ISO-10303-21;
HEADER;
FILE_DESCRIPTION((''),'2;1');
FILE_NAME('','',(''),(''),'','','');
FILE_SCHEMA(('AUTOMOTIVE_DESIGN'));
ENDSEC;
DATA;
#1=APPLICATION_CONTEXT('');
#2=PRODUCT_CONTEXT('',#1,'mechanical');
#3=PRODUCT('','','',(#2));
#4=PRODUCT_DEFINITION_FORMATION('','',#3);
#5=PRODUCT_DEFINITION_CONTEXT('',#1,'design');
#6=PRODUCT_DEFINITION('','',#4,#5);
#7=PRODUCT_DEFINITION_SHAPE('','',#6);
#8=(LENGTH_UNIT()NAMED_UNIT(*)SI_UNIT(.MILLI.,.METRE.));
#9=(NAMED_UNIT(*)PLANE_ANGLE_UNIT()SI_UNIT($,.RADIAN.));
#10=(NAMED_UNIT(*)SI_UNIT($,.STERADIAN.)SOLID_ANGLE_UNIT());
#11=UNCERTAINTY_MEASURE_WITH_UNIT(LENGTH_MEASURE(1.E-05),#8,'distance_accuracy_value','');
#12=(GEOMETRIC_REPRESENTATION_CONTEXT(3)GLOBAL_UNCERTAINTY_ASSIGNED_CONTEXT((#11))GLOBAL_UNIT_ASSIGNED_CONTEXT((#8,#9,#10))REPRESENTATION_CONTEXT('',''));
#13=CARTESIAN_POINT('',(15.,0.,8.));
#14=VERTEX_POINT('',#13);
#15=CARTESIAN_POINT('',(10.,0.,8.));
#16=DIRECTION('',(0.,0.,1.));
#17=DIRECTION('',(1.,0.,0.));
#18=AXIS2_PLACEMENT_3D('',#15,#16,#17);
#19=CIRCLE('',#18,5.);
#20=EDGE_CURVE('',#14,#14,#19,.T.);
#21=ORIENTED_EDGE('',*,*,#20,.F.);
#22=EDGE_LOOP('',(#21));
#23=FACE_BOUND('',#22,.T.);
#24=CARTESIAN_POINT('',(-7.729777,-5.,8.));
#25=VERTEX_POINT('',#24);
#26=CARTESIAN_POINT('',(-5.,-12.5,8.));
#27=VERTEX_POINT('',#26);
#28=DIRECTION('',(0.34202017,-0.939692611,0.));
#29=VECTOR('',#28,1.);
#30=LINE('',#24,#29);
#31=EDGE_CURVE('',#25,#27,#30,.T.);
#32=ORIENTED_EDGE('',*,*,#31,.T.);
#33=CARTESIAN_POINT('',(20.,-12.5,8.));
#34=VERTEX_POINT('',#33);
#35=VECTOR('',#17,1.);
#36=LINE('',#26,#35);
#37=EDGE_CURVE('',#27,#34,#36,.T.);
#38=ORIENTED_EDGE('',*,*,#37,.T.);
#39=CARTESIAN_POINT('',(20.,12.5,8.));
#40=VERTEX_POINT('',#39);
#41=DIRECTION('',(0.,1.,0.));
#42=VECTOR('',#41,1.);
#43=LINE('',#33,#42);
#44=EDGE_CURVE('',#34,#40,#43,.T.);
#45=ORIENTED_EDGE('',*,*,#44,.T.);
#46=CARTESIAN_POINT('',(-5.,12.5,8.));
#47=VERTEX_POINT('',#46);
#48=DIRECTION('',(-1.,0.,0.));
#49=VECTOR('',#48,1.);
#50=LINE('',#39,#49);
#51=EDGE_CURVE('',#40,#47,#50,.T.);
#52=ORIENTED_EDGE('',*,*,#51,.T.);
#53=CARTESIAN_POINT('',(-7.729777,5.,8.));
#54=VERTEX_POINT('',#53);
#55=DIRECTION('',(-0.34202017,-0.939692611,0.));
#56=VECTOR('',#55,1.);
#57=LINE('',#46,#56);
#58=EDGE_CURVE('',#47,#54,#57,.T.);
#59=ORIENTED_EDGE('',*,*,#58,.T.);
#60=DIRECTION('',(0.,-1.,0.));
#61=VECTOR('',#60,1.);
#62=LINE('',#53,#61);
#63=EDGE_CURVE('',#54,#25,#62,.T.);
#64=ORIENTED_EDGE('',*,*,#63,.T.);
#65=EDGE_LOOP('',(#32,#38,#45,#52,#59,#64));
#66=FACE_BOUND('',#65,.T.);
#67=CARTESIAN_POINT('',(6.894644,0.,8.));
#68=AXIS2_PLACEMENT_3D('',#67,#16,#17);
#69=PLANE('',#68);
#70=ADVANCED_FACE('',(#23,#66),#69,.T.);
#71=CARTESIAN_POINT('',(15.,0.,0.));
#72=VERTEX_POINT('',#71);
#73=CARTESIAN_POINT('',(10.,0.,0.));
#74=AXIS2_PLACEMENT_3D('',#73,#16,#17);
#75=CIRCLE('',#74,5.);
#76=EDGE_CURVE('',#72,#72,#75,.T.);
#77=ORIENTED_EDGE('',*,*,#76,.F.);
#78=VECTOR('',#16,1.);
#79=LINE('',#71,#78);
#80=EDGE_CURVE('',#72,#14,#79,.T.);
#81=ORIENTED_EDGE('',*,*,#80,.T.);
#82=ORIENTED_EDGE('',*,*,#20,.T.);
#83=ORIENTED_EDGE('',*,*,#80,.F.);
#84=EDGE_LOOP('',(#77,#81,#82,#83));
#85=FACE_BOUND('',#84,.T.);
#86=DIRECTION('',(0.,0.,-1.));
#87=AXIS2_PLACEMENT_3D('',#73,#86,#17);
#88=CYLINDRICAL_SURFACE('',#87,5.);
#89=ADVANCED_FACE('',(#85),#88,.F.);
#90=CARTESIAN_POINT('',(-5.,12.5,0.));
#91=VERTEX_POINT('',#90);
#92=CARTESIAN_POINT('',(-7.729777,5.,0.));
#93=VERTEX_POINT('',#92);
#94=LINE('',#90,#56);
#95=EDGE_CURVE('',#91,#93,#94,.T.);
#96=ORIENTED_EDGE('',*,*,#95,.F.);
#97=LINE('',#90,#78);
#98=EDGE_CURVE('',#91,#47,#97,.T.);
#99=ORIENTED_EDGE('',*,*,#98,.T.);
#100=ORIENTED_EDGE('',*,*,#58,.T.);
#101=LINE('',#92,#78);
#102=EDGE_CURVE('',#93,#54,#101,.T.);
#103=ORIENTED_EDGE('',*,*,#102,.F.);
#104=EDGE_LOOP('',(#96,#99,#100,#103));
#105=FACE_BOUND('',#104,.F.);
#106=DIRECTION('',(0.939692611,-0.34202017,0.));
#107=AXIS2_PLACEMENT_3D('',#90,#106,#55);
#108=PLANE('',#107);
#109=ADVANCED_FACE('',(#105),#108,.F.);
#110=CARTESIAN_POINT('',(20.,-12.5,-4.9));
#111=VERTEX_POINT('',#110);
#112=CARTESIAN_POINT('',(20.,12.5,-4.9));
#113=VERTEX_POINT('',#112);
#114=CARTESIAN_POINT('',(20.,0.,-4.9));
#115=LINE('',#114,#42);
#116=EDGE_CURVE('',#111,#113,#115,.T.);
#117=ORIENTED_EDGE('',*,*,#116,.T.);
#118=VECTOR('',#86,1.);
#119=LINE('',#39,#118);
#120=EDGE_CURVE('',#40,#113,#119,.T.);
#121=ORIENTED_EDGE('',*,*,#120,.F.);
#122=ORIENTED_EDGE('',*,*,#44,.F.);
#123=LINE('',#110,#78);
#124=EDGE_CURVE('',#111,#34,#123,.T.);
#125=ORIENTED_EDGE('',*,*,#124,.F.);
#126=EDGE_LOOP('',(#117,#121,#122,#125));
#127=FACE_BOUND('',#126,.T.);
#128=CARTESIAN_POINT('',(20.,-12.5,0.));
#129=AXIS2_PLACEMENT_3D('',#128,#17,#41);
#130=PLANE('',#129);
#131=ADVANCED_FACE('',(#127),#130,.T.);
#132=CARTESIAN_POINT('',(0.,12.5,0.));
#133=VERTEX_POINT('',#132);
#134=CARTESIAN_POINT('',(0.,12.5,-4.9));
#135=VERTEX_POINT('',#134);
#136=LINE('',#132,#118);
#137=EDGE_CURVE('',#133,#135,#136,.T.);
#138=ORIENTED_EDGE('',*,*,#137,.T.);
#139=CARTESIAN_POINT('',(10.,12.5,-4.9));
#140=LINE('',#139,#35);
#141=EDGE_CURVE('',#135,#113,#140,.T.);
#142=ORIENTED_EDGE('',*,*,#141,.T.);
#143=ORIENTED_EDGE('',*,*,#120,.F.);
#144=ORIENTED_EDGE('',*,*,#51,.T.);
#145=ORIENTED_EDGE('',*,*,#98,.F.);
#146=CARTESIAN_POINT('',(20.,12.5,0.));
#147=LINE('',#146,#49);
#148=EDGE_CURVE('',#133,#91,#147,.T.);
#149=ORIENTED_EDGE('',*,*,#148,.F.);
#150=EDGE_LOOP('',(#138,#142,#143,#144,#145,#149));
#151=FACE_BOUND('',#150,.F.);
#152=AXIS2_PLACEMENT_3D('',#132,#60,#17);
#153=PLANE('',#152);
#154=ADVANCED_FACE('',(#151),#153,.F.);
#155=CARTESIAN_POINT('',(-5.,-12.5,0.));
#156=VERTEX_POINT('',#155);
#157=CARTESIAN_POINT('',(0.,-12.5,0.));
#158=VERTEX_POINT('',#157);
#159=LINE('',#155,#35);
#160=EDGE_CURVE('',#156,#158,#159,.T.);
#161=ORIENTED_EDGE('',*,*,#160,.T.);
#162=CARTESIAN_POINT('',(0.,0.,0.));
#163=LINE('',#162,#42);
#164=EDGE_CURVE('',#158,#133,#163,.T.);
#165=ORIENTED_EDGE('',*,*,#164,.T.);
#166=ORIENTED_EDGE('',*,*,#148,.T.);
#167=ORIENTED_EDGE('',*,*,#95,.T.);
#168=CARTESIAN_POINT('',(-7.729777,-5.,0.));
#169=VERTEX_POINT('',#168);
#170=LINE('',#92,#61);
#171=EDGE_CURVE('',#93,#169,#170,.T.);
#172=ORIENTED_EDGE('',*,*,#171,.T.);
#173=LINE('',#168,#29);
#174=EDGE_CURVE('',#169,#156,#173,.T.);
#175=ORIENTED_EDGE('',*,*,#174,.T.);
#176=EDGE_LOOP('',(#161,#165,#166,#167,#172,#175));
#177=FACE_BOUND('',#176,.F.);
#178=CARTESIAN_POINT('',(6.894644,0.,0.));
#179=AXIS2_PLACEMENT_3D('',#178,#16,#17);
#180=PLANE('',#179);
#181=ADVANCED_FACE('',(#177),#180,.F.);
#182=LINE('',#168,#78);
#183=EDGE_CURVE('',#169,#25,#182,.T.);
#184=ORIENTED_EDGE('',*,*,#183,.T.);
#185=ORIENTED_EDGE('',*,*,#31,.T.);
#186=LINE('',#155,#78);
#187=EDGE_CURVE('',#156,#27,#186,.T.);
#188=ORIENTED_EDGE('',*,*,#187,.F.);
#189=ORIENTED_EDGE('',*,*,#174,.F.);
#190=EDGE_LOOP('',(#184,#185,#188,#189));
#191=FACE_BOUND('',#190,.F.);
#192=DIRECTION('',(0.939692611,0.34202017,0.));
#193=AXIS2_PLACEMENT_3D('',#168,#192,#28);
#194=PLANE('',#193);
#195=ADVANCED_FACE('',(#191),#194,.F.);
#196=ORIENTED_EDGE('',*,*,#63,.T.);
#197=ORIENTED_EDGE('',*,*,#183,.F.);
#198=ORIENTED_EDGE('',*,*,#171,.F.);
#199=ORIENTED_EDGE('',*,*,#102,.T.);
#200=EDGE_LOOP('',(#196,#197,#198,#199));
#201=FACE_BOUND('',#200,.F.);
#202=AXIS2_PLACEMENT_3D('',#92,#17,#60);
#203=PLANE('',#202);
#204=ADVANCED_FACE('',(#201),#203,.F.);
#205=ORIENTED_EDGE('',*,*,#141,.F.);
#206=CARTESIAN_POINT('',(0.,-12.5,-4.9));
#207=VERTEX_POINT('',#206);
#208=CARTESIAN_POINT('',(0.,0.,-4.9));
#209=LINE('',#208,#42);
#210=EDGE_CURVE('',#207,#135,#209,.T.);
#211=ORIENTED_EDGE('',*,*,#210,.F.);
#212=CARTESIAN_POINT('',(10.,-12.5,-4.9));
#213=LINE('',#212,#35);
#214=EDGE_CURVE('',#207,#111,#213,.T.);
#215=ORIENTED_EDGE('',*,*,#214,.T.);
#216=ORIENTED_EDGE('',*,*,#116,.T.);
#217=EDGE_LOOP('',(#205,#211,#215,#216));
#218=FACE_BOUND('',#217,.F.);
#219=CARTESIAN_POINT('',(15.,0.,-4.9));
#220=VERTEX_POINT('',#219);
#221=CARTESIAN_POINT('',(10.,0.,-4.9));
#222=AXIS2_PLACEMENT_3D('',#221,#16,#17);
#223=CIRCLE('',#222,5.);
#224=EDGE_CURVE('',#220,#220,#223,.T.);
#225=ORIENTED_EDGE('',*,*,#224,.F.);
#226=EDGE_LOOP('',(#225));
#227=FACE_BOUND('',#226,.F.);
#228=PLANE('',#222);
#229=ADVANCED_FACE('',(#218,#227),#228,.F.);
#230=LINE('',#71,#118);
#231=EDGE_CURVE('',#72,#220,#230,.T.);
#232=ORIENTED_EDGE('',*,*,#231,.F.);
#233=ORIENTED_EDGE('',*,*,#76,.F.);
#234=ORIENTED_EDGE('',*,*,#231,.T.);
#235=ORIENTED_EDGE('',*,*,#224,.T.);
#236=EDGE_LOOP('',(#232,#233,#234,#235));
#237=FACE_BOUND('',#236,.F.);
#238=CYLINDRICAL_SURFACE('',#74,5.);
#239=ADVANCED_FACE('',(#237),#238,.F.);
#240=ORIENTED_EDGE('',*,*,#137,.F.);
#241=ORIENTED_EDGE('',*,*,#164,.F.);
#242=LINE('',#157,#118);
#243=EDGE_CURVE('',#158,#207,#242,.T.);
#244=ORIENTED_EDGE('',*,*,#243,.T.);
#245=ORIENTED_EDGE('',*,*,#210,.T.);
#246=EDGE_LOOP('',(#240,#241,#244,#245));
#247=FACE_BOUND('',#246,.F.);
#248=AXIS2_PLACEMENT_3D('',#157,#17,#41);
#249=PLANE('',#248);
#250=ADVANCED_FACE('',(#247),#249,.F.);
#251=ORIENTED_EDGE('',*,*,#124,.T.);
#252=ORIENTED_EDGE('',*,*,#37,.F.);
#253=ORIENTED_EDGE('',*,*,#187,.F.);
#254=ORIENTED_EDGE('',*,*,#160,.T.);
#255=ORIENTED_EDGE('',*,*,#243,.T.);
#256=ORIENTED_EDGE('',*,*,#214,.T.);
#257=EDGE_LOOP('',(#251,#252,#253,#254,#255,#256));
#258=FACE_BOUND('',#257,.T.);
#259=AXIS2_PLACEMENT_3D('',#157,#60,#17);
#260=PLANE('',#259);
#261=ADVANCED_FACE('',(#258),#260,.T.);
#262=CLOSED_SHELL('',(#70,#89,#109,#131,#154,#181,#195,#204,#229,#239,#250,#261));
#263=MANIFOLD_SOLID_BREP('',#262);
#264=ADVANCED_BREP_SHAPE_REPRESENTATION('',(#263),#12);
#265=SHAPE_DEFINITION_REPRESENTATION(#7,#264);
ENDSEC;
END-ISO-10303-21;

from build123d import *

# Parameters (mm, degrees)
F0_R     = 5
F1_DEPTH = 8
F2_W     = 20
F2_H     = 25
F2_R     = 5
F3_DEPTH = 4.9


with BuildPart() as f1:
    # F0 (on Top) → F1 (new body)
    with BuildSketch(Plane.XY):
        Polygon((-5, -12.5), (20, -12.5), (20, 12.5), (-5, 12.5), (-7.729777, 5), (-7.729777, -5), align=None)
        with Locations((10, 0)):
            Circle(F0_R, mode=Mode.SUBTRACT)
    extrude(amount=F1_DEPTH)

    # F2 (on Top) → F3 (join)
    with BuildSketch(Plane.XY):
        with Locations((10, 0)):
            Rectangle(F2_W, F2_H)
        with Locations((10, 0)):
            Circle(F2_R, mode=Mode.SUBTRACT)
    extrude(amount=-F3_DEPTH)


solid = f1.part
